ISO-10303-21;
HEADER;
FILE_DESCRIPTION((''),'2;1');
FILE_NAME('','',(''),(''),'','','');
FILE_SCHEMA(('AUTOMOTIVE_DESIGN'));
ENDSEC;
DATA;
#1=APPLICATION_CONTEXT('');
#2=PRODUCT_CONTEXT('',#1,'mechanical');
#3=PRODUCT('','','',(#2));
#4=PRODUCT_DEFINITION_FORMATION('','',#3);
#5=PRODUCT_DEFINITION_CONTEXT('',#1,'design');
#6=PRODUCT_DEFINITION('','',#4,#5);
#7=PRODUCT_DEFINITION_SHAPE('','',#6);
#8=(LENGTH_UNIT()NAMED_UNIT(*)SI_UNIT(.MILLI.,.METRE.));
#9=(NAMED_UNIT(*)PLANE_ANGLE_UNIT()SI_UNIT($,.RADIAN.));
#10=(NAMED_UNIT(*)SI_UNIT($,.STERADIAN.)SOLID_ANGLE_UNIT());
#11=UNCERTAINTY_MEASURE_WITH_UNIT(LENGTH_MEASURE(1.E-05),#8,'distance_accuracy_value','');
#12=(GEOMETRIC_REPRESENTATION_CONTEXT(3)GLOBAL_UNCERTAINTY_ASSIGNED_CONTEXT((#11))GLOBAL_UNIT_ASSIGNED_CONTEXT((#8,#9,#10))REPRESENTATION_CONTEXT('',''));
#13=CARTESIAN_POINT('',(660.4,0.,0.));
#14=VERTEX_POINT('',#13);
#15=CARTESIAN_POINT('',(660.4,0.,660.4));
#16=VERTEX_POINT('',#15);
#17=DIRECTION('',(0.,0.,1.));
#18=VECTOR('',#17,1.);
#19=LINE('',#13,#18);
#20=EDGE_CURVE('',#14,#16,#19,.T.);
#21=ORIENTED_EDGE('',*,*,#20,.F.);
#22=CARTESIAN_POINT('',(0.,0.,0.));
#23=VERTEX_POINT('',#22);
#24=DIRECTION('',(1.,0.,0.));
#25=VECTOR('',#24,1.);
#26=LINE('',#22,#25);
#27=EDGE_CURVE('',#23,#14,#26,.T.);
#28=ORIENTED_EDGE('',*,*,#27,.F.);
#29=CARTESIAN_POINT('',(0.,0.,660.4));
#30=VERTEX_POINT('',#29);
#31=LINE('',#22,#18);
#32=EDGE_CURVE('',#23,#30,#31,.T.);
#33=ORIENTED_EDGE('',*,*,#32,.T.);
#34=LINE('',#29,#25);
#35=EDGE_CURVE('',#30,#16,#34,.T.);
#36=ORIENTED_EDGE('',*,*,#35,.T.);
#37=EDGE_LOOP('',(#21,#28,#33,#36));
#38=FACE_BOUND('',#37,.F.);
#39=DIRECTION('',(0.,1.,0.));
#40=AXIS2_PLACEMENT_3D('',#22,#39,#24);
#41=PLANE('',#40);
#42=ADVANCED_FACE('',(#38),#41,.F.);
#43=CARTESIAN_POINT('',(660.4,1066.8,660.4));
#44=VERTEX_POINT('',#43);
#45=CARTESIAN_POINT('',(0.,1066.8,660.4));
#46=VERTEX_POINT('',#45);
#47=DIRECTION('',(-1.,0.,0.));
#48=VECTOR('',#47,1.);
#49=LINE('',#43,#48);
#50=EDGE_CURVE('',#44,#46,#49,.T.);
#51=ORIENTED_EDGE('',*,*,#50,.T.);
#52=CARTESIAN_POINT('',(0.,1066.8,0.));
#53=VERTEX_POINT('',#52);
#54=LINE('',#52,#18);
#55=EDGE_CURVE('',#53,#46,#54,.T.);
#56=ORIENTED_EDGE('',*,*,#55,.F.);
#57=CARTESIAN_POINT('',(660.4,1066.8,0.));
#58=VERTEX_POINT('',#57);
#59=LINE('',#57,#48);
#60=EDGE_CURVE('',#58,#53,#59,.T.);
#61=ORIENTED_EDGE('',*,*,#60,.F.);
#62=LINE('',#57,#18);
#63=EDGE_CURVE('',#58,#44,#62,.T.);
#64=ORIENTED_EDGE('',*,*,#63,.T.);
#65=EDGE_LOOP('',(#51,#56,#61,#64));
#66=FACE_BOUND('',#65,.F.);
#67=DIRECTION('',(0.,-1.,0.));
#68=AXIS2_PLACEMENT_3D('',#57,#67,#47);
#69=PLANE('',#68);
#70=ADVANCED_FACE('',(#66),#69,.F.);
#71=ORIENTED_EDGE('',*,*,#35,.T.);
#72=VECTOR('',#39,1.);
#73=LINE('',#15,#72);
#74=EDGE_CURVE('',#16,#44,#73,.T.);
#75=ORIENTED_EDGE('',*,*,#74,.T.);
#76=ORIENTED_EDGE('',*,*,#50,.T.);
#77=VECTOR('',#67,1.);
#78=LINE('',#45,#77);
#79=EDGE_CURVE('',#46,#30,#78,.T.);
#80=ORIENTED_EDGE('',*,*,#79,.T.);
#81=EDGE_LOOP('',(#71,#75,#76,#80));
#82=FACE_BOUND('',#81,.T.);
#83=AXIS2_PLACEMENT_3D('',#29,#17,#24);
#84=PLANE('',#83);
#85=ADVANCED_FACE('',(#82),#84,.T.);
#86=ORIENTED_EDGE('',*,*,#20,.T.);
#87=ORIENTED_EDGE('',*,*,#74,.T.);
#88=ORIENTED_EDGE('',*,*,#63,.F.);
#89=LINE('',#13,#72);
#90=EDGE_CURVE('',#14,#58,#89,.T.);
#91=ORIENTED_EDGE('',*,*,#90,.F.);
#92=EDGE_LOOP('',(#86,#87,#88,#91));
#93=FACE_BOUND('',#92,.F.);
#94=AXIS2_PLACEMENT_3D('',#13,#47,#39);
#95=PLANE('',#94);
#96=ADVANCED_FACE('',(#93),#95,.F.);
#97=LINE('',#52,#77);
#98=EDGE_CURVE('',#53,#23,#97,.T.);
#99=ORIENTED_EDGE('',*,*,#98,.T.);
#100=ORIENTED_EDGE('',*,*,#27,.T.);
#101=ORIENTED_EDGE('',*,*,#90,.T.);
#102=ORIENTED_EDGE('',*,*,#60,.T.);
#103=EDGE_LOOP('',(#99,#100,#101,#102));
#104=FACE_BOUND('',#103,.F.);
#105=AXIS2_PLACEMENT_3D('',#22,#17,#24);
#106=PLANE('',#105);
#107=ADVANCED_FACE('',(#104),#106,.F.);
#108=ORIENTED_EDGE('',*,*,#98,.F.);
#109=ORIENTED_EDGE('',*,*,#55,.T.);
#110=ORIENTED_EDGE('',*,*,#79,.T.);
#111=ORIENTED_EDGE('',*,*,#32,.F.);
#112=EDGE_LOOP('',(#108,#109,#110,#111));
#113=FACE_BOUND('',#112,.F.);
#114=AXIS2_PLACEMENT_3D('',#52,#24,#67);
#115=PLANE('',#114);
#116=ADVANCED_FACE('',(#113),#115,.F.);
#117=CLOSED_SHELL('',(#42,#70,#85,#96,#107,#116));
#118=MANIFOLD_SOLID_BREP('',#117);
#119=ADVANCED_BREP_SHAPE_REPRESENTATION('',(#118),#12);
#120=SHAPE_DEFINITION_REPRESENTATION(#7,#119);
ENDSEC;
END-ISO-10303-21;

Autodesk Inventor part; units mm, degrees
ref_plane "YZ Plane" through (0, 0, 0) normal (1, 0, 0) x (0, 1, 0)
ref_plane "XZ Plane" through (0, 0, 0) normal (0, 1, 0) x (-1, 0, 0)
ref_plane "XY Plane" through (0, 0, 0) normal (0, 0, 1) x (1, 0, 0)
sketch "Sketch1" plane through (0, 0, 0) normal (0, 0, 1) x (1, 0, 0)
  line L0 (0, 0) -> (660.4, 0)
  line L1 (660.4, 0) -> (660.4, 1066.8)
  line L2 (660.4, 1066.8) -> (0, 1066.8)
  line L3 (0, 1066.8) -> (0, 0)
  dimension "d0" = 660.4
  dimension "d1" = 1066.8
extrude "Extrusion1" add sketch "Sketch1" along normal blind 660.4
properties part number "MU-003 Clearance"
